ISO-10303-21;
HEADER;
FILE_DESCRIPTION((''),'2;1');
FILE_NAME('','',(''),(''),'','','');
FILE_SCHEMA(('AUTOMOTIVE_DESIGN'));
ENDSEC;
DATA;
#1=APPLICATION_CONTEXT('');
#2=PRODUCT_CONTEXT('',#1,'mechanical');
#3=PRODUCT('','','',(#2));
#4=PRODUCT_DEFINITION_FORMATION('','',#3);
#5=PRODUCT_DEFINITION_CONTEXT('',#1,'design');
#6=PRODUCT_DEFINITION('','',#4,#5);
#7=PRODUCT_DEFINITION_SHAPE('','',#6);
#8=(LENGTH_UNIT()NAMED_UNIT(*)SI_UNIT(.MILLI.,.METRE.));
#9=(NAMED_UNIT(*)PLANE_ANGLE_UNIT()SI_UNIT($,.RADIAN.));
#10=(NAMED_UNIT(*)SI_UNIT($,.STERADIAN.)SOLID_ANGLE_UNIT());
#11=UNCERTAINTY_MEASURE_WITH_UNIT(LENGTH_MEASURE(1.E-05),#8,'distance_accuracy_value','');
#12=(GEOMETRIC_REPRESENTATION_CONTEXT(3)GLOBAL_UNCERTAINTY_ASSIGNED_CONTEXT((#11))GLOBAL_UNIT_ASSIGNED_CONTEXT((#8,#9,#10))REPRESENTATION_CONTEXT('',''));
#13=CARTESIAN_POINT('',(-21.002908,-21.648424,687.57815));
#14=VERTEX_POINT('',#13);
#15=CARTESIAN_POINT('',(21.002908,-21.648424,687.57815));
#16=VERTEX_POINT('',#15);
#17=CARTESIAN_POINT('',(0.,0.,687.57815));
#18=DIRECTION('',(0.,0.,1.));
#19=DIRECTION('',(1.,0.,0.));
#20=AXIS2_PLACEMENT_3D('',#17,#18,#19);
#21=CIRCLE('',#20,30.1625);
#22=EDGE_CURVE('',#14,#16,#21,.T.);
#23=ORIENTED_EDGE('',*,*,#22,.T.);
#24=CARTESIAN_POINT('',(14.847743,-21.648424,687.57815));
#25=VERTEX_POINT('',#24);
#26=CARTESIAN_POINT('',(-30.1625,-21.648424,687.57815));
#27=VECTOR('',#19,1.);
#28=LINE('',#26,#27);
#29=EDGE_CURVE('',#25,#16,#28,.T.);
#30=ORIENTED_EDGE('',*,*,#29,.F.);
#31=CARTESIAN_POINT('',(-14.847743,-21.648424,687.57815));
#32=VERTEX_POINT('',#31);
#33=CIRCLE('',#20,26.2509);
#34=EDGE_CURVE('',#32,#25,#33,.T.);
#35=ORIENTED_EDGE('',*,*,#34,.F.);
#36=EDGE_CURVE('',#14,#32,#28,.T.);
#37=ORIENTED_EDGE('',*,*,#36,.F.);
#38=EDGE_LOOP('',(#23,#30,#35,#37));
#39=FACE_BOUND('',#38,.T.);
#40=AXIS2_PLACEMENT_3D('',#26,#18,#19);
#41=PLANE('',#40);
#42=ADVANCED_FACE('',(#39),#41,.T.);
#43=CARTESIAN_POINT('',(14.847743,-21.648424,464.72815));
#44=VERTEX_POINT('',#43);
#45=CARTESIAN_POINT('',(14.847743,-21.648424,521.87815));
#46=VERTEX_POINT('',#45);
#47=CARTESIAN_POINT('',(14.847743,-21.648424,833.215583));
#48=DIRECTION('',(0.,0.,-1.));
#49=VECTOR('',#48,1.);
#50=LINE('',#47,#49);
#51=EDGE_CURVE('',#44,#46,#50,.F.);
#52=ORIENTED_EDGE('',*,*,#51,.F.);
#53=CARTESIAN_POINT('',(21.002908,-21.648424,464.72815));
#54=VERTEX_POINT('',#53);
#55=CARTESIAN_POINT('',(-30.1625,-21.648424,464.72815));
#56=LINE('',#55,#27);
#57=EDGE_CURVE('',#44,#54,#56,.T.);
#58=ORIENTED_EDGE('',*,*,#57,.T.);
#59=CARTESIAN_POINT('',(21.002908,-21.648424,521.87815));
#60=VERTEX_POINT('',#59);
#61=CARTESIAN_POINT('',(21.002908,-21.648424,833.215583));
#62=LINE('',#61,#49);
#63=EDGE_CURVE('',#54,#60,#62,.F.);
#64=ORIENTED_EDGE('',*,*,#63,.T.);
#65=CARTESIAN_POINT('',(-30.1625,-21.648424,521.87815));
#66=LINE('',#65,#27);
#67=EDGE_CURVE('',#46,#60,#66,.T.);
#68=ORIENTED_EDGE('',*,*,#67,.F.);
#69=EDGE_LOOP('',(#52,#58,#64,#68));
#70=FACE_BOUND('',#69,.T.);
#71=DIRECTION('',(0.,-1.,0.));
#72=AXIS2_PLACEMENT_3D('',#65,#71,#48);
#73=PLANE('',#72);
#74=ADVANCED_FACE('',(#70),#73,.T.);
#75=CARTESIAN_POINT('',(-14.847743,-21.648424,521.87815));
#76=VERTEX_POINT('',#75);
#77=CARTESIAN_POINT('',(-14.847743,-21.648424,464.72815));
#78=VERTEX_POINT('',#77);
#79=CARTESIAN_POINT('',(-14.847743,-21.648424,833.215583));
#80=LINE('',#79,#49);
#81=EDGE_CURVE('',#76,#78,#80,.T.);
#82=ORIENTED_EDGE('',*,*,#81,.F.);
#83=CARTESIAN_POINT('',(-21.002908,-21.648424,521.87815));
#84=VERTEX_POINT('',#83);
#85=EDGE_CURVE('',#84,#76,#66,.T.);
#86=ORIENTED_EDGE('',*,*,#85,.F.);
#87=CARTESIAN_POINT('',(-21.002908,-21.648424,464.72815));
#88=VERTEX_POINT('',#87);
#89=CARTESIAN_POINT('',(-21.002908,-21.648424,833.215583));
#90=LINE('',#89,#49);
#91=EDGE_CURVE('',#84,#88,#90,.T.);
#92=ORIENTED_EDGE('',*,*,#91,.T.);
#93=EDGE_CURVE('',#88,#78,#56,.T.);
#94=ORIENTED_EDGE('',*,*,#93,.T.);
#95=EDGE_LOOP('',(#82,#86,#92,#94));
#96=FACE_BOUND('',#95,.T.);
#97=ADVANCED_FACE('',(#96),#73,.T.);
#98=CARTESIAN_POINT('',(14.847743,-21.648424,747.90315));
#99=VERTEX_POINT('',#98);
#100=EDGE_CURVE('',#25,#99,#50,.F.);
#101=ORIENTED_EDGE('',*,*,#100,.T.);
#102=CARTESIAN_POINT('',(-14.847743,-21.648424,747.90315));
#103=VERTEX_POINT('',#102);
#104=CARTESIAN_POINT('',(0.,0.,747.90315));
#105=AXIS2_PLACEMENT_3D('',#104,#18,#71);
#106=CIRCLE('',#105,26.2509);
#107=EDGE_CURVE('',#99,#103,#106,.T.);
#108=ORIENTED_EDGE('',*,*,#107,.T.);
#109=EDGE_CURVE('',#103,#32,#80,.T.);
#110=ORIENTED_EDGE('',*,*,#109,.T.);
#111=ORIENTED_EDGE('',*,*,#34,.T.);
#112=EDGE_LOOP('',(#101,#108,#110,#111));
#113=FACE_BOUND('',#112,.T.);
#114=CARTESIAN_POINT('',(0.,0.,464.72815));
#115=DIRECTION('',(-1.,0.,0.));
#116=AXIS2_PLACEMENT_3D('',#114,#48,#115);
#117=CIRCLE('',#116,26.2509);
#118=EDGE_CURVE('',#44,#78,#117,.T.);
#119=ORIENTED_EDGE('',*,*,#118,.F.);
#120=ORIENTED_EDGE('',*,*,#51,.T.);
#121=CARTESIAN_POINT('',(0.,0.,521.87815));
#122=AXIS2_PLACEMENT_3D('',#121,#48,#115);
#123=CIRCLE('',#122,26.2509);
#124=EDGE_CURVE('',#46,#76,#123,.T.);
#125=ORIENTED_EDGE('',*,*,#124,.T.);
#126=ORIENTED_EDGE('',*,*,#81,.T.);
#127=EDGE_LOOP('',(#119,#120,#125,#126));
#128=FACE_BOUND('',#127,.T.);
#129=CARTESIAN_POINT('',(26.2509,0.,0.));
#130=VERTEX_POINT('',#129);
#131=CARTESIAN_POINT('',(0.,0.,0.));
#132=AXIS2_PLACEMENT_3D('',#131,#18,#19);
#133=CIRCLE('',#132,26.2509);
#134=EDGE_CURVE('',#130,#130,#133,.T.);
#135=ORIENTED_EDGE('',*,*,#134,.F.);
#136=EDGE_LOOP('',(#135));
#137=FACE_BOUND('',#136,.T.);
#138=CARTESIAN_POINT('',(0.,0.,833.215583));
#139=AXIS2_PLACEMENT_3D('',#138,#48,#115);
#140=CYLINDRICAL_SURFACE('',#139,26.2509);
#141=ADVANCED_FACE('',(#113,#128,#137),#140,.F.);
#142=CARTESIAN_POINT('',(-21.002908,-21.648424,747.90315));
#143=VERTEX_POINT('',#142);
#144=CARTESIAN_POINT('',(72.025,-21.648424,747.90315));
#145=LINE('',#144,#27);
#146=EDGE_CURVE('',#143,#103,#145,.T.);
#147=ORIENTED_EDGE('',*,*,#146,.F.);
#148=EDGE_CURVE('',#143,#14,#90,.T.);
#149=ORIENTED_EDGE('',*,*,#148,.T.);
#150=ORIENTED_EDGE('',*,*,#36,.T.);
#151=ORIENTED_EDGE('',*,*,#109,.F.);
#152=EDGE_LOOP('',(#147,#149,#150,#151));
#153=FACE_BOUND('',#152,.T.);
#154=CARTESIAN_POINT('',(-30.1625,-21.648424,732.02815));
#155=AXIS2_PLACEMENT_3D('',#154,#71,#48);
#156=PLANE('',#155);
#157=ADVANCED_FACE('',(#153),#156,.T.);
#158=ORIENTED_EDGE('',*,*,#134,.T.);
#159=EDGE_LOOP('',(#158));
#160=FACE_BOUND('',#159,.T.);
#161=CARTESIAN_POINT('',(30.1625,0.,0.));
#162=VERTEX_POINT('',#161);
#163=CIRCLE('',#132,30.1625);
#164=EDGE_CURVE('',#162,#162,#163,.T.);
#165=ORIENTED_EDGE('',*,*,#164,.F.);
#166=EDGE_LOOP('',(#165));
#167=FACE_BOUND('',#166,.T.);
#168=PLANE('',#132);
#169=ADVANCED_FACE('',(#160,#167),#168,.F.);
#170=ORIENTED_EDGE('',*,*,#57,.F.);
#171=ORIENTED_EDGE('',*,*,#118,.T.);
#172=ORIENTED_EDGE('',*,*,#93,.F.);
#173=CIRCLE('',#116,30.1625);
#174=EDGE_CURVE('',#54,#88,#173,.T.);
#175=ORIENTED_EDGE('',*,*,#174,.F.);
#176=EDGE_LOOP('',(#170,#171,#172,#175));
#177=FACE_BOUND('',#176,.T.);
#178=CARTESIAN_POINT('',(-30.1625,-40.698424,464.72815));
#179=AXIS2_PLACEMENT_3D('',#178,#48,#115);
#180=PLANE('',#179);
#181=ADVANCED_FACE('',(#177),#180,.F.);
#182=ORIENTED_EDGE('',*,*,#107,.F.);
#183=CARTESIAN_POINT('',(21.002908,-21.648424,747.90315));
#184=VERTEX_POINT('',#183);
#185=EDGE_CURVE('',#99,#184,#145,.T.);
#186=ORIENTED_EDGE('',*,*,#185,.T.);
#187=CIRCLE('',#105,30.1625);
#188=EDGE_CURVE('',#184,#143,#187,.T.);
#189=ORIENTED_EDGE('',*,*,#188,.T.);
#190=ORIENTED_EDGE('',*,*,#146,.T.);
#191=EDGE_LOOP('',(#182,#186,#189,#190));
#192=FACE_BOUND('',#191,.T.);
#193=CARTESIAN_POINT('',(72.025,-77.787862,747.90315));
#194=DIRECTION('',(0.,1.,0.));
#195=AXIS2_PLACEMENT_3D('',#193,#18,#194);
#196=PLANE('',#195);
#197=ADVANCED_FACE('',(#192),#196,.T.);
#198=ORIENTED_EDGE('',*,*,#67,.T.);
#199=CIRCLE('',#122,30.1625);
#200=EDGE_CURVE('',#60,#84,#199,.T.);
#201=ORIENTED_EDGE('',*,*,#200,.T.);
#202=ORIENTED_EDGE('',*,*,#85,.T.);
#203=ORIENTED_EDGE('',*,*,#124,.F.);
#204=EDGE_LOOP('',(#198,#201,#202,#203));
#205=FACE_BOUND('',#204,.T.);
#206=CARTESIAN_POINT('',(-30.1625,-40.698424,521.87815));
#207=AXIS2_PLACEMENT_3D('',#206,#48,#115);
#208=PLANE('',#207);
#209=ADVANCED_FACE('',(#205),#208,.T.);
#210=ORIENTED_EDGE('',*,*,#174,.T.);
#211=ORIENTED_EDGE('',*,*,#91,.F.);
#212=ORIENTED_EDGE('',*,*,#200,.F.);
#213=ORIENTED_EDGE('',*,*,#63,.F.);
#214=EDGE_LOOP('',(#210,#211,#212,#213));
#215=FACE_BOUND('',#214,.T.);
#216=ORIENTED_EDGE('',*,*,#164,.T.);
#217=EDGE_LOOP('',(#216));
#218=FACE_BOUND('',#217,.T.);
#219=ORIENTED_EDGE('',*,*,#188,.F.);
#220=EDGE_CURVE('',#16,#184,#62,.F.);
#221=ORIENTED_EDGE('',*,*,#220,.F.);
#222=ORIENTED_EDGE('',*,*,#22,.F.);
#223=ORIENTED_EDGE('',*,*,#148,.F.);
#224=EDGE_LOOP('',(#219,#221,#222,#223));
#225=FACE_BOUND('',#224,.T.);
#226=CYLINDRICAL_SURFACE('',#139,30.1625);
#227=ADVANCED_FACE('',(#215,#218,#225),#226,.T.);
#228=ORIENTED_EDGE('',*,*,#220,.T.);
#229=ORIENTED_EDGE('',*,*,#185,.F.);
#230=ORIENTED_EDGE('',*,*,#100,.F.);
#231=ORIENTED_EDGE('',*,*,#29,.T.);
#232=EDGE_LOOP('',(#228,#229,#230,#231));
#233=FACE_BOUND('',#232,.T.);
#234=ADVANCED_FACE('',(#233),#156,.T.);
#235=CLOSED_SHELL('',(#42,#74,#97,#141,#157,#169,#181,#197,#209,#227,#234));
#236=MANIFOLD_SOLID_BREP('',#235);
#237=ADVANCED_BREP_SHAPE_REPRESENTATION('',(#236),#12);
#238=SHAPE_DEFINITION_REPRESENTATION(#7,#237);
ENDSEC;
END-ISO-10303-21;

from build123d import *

# Parameters (mm, degrees)
SKETCH1_R               = 30.1625
SKETCH1_R_2             = 26.2509
BOSS_EXTRUDE1_DEPTH     = 747.903150098
CUT_EXTRUDE1_DEPTH      = 750.11859858
CUT_EXTRUDE1_DEPTH_BACK = 750.11859858
SKETCH2_W               = 57.15
SKETCH2_H               = 19.05


with BuildPart() as part:
    # Sketch1 → Boss-Extrude1 (new body)
    with BuildSketch(Plane.XY):
        with Locations(Location((0, 0, 0), (0, 0, 270))):
            Circle(SKETCH1_R)
        with Locations(Location((0, 0, 0), (0, 0, 270))):
            Circle(SKETCH1_R_2, mode=Mode.SUBTRACT)
    extrude(amount=BOSS_EXTRUDE1_DEPTH)

    # Sketch2 → Cut-Extrude1 (cut, two sides: drawn at the far end of the back side and taken through both)
    with BuildSketch(Plane(origin=(0, 0, 0), x_dir=(0, 0, -1), z_dir=(1, 0, 0)).offset(-CUT_EXTRUDE1_DEPTH_BACK)):
        Polygon((-732.028150098, -21.648424474), (-687.578150098, -21.648424474), (-687.578150098, -40.698424474), (-732.028150098, -40.698424474), (-757.696723695, -40.698424474), (-757.696723695, -21.648424474), align=None)
        with Locations((-493.303150098, -31.173424474)):
            Rectangle(SKETCH2_W, SKETCH2_H)
    extrude(amount=CUT_EXTRUDE1_DEPTH + CUT_EXTRUDE1_DEPTH_BACK, mode=Mode.SUBTRACT)


solid = part.part
